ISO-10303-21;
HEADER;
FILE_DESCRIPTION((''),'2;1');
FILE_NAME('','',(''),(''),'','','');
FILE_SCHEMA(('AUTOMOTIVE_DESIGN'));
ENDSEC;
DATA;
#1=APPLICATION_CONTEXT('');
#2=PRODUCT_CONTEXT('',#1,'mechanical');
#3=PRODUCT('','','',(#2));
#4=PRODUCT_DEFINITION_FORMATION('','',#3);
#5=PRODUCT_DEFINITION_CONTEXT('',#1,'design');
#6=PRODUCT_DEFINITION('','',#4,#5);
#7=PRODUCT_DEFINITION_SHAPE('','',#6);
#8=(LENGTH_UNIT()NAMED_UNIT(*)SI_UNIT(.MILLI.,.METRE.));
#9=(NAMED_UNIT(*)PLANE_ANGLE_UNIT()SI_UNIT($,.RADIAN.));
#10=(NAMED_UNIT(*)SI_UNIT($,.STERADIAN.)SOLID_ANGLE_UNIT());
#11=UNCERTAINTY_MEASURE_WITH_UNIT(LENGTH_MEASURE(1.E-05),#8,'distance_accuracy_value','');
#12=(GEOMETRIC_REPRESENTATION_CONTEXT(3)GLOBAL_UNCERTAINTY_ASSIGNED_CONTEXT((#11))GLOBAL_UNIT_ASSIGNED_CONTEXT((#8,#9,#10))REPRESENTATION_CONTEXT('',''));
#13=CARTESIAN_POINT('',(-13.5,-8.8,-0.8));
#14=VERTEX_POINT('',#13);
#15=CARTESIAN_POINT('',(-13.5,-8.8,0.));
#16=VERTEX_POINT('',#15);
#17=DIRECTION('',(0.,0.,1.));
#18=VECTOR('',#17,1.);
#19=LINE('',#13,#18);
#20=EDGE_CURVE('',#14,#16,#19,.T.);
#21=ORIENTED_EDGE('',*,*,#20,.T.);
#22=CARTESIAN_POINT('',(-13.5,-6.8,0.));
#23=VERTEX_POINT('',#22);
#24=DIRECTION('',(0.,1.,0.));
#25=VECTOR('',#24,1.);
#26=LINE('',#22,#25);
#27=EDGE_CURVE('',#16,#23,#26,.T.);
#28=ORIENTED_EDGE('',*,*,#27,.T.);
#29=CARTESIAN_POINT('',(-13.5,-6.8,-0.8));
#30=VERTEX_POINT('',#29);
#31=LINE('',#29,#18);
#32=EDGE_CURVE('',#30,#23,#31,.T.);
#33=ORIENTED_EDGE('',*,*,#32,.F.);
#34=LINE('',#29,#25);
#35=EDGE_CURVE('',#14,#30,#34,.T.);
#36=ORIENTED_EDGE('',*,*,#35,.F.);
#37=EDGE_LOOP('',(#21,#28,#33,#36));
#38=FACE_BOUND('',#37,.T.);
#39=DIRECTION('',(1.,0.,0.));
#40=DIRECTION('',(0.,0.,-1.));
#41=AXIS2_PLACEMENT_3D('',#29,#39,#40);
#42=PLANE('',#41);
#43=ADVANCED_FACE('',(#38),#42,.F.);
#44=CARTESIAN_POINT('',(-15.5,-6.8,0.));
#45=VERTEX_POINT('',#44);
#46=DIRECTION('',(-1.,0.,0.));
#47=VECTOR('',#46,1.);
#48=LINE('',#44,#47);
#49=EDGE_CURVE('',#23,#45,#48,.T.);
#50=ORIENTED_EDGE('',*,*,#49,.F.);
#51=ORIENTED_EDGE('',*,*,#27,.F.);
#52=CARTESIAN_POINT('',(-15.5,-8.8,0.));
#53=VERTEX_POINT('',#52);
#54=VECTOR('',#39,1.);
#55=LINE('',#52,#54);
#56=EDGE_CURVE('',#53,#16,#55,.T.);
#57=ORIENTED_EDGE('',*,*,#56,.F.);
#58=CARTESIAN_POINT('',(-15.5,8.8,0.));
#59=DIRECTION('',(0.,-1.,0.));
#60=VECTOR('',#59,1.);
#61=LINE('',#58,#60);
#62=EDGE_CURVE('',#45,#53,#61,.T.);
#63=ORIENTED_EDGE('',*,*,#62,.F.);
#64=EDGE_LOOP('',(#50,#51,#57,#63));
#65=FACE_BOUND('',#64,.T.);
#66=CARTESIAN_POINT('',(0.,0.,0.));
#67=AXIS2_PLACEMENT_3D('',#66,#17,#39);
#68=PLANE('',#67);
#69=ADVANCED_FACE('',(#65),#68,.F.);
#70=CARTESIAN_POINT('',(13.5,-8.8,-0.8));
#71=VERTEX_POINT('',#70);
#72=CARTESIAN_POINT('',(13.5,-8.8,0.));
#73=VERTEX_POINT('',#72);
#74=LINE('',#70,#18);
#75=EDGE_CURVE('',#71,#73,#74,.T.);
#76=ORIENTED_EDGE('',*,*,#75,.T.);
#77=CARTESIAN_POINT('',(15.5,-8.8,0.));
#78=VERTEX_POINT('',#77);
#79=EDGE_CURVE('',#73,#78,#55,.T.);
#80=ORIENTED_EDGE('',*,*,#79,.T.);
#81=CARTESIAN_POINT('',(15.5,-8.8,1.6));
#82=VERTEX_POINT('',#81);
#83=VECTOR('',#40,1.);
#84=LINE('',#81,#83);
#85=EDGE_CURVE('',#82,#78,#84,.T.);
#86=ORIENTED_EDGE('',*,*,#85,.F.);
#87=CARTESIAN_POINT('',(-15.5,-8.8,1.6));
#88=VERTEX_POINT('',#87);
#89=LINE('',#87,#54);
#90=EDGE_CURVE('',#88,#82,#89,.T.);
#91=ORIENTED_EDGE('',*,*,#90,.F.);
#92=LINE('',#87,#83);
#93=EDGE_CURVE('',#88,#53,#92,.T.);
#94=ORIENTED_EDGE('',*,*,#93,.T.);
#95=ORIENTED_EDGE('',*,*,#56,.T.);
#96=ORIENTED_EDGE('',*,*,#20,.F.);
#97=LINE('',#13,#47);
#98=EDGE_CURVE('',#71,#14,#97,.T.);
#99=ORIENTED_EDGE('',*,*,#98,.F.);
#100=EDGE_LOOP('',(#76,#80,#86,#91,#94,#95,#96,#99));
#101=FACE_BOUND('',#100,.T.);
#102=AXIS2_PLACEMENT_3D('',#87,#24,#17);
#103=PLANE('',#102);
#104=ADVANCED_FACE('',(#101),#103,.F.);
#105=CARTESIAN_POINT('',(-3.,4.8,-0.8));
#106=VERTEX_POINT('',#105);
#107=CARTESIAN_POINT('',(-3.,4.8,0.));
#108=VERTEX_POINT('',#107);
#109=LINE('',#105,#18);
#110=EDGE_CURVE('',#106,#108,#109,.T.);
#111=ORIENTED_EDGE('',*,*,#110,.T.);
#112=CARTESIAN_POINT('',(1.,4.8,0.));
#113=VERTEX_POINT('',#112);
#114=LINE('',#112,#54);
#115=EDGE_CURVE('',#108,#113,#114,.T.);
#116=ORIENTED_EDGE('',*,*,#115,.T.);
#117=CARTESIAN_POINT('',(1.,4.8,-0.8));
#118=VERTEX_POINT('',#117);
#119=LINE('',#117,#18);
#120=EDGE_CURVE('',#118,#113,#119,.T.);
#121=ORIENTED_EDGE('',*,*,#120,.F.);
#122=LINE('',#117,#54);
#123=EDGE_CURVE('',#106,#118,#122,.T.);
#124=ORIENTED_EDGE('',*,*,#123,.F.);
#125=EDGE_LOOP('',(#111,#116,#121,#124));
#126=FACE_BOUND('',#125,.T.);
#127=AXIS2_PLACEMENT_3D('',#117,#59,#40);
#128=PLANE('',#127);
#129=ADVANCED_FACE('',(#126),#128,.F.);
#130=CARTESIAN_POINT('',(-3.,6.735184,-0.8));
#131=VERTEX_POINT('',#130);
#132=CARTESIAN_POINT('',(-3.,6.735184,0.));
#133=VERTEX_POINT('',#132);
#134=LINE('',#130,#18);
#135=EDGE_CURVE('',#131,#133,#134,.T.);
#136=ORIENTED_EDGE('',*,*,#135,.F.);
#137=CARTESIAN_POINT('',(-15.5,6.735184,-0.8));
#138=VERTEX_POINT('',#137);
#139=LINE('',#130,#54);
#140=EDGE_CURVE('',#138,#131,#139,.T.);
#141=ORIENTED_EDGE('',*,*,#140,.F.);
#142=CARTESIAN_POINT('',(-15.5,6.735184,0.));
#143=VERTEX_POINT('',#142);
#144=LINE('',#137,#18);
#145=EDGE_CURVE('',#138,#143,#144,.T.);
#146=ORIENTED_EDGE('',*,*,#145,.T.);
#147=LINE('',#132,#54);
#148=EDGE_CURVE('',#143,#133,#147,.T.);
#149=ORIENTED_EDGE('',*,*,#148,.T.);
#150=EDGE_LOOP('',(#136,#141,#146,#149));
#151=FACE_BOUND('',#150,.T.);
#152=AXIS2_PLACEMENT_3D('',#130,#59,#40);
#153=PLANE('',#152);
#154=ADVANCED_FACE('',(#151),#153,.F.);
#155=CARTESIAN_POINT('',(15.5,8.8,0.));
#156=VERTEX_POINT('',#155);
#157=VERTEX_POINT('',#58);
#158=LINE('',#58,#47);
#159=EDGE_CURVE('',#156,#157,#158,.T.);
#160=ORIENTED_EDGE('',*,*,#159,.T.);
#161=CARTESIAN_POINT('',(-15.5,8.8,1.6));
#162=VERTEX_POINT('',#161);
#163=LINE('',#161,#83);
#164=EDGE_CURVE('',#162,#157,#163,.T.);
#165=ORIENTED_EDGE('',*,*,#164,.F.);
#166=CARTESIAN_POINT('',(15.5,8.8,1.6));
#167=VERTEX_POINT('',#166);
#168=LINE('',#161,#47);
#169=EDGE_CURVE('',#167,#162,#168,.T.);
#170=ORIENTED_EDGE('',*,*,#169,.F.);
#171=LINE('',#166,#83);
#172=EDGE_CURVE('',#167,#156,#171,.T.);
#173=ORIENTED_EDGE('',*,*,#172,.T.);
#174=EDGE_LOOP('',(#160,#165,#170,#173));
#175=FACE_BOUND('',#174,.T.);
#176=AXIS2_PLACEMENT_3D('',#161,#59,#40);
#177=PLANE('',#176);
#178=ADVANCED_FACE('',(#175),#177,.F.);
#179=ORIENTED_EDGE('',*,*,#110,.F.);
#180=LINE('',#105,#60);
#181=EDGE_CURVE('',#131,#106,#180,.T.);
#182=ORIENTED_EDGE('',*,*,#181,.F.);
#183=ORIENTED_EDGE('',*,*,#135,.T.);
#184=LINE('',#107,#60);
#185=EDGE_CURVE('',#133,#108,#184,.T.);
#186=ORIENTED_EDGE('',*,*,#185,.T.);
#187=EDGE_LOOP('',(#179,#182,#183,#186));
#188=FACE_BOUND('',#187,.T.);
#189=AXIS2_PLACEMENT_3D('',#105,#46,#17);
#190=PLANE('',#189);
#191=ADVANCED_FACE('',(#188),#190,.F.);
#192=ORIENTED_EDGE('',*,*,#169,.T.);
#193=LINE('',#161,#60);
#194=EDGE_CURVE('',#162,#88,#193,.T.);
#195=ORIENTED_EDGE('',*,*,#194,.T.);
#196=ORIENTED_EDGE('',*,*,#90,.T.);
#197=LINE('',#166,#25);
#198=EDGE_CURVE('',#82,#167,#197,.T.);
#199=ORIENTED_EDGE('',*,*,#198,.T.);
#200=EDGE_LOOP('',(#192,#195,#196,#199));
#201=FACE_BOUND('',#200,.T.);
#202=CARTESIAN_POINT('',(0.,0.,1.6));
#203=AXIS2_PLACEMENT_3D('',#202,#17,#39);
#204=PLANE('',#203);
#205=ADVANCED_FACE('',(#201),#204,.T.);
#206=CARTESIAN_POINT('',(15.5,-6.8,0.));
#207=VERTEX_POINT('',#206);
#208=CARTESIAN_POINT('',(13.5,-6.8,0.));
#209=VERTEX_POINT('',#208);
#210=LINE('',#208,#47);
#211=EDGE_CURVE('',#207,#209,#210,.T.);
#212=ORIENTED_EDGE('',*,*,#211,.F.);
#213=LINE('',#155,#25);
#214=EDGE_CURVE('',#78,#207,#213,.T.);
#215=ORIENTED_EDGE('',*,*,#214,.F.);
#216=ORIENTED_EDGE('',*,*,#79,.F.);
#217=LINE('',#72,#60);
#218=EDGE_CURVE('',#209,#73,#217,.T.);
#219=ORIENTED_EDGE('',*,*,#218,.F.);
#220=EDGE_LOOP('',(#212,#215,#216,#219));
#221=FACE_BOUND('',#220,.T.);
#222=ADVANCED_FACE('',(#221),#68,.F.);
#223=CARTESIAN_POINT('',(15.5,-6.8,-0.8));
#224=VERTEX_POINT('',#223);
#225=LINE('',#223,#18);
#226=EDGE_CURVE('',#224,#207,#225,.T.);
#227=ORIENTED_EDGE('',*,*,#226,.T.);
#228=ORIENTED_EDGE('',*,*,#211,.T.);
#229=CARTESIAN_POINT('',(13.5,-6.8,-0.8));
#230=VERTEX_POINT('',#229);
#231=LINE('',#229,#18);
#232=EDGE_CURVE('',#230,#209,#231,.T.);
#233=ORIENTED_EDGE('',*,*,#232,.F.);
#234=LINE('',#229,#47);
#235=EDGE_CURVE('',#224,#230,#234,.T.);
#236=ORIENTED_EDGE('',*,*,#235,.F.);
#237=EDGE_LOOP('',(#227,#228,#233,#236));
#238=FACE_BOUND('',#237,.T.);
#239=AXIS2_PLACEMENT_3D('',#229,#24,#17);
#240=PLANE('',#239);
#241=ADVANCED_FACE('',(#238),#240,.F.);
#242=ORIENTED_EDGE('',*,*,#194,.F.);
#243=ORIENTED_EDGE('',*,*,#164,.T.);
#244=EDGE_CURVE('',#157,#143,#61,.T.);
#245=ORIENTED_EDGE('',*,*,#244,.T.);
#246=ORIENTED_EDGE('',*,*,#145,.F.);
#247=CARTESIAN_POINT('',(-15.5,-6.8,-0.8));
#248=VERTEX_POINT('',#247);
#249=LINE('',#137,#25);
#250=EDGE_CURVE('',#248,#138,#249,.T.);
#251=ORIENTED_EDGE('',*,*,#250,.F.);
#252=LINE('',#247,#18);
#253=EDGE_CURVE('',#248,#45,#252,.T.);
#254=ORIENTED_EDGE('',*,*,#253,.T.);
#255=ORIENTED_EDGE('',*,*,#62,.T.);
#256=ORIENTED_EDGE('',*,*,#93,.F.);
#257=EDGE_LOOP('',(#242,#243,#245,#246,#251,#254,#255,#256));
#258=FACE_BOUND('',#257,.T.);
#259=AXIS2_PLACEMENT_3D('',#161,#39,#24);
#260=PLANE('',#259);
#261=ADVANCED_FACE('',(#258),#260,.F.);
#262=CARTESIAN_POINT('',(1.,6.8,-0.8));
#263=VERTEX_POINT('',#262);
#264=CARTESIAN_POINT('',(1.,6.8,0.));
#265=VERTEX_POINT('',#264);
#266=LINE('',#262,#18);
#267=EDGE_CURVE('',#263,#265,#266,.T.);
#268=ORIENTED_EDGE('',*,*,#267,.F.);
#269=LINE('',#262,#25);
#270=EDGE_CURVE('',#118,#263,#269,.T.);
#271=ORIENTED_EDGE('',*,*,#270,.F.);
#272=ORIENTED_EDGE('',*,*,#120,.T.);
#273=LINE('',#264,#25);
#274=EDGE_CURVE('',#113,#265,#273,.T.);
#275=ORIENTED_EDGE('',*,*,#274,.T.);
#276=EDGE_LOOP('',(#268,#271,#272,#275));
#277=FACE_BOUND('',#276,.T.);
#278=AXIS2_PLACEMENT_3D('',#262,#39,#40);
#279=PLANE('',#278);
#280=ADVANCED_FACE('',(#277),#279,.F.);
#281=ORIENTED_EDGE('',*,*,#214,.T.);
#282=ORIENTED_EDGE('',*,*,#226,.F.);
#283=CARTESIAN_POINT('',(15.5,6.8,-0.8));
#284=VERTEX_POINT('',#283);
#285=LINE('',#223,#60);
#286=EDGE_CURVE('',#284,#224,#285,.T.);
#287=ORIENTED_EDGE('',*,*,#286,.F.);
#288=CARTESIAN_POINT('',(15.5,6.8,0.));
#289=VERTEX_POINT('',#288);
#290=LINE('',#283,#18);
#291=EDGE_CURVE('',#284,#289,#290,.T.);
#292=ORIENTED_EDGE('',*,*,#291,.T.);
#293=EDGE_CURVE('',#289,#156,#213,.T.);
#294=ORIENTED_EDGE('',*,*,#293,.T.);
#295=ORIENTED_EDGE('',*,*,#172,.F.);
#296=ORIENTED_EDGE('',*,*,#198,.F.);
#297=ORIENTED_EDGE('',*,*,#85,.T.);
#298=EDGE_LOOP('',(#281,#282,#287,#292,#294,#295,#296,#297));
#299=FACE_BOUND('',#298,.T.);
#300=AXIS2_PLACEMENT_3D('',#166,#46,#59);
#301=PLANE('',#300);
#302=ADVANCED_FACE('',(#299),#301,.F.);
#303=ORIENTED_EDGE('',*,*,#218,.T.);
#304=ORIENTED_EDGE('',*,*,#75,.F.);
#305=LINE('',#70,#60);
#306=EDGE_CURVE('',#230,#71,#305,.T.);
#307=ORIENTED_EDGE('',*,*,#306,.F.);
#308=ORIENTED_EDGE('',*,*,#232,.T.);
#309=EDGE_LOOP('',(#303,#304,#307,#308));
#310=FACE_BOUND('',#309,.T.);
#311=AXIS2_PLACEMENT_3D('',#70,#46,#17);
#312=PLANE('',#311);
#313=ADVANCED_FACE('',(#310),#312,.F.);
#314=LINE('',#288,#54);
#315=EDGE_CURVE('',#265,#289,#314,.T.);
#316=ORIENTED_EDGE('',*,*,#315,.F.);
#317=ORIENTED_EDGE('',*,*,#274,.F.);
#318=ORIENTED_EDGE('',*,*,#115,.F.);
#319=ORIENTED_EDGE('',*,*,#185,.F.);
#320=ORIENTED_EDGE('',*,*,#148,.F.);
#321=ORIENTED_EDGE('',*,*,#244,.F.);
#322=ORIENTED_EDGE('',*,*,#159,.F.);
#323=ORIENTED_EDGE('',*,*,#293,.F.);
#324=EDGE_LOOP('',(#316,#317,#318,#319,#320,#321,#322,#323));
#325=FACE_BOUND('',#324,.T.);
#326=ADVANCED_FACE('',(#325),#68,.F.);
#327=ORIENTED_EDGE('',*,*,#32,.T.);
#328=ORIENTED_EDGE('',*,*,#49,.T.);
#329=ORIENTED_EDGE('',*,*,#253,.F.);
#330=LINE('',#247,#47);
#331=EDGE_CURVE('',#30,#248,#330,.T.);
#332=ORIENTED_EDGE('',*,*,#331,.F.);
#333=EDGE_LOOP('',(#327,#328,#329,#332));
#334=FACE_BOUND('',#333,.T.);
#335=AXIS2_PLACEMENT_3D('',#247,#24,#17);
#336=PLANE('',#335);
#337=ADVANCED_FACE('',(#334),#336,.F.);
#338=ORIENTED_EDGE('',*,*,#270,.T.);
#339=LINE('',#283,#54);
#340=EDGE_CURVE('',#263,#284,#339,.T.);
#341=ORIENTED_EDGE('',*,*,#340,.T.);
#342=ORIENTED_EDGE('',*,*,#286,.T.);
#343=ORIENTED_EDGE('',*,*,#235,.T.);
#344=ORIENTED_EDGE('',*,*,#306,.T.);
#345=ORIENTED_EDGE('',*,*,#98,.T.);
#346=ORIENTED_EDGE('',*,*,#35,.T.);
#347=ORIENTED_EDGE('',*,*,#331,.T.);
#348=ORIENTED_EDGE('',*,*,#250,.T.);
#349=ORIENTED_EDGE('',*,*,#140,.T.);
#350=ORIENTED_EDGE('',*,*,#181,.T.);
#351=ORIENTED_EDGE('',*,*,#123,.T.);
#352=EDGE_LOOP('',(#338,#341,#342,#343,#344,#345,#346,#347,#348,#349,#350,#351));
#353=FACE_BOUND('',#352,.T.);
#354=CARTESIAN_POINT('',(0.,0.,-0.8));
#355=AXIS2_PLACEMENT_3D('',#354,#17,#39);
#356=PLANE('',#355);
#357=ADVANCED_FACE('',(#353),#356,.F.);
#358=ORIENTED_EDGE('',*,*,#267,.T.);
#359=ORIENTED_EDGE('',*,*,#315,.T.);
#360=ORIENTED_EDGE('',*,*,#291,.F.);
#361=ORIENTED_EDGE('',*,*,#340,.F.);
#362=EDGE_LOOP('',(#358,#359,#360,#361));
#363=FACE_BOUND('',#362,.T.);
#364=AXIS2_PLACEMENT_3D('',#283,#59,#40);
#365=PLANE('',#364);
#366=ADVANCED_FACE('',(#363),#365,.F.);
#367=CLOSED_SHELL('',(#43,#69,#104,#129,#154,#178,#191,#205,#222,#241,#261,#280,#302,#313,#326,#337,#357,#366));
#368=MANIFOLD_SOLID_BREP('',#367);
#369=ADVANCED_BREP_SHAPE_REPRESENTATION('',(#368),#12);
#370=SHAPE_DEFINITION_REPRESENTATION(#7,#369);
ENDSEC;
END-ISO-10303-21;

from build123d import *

# Parameters (mm, degrees)
SKETCH_1_W      = 31
SKETCH_1_H      = 17.6
EXTRUDE_1_DEPTH = 1.6
EXTRUDE_2_DEPTH = 0.8


with BuildPart() as part:
    # 草图1 → 凸台-拉伸1 (new body)
    with BuildSketch(Plane.XY):
        Rectangle(SKETCH_1_W, SKETCH_1_H)
    extrude(amount=EXTRUDE_1_DEPTH)

    # 草图2 → 凸台-拉伸2 (add)
    with BuildSketch(Plane(origin=(0, 0, 0), x_dir=(-1, 0, 0), z_dir=(0, 0, -1))):
        Polygon((-13.5, -8.8), (-13.5, -6.8), (-15.5, -6.8), (-15.5, 6.8), (-1, 6.8), (-1, 4.8), (3, 4.8), (3, 6.735183862), (15.5, 6.735183862), (15.5, -6.8), (13.5, -6.8), (13.5, -8.8), align=None)
    extrude(amount=EXTRUDE_2_DEPTH)


solid = part.part
